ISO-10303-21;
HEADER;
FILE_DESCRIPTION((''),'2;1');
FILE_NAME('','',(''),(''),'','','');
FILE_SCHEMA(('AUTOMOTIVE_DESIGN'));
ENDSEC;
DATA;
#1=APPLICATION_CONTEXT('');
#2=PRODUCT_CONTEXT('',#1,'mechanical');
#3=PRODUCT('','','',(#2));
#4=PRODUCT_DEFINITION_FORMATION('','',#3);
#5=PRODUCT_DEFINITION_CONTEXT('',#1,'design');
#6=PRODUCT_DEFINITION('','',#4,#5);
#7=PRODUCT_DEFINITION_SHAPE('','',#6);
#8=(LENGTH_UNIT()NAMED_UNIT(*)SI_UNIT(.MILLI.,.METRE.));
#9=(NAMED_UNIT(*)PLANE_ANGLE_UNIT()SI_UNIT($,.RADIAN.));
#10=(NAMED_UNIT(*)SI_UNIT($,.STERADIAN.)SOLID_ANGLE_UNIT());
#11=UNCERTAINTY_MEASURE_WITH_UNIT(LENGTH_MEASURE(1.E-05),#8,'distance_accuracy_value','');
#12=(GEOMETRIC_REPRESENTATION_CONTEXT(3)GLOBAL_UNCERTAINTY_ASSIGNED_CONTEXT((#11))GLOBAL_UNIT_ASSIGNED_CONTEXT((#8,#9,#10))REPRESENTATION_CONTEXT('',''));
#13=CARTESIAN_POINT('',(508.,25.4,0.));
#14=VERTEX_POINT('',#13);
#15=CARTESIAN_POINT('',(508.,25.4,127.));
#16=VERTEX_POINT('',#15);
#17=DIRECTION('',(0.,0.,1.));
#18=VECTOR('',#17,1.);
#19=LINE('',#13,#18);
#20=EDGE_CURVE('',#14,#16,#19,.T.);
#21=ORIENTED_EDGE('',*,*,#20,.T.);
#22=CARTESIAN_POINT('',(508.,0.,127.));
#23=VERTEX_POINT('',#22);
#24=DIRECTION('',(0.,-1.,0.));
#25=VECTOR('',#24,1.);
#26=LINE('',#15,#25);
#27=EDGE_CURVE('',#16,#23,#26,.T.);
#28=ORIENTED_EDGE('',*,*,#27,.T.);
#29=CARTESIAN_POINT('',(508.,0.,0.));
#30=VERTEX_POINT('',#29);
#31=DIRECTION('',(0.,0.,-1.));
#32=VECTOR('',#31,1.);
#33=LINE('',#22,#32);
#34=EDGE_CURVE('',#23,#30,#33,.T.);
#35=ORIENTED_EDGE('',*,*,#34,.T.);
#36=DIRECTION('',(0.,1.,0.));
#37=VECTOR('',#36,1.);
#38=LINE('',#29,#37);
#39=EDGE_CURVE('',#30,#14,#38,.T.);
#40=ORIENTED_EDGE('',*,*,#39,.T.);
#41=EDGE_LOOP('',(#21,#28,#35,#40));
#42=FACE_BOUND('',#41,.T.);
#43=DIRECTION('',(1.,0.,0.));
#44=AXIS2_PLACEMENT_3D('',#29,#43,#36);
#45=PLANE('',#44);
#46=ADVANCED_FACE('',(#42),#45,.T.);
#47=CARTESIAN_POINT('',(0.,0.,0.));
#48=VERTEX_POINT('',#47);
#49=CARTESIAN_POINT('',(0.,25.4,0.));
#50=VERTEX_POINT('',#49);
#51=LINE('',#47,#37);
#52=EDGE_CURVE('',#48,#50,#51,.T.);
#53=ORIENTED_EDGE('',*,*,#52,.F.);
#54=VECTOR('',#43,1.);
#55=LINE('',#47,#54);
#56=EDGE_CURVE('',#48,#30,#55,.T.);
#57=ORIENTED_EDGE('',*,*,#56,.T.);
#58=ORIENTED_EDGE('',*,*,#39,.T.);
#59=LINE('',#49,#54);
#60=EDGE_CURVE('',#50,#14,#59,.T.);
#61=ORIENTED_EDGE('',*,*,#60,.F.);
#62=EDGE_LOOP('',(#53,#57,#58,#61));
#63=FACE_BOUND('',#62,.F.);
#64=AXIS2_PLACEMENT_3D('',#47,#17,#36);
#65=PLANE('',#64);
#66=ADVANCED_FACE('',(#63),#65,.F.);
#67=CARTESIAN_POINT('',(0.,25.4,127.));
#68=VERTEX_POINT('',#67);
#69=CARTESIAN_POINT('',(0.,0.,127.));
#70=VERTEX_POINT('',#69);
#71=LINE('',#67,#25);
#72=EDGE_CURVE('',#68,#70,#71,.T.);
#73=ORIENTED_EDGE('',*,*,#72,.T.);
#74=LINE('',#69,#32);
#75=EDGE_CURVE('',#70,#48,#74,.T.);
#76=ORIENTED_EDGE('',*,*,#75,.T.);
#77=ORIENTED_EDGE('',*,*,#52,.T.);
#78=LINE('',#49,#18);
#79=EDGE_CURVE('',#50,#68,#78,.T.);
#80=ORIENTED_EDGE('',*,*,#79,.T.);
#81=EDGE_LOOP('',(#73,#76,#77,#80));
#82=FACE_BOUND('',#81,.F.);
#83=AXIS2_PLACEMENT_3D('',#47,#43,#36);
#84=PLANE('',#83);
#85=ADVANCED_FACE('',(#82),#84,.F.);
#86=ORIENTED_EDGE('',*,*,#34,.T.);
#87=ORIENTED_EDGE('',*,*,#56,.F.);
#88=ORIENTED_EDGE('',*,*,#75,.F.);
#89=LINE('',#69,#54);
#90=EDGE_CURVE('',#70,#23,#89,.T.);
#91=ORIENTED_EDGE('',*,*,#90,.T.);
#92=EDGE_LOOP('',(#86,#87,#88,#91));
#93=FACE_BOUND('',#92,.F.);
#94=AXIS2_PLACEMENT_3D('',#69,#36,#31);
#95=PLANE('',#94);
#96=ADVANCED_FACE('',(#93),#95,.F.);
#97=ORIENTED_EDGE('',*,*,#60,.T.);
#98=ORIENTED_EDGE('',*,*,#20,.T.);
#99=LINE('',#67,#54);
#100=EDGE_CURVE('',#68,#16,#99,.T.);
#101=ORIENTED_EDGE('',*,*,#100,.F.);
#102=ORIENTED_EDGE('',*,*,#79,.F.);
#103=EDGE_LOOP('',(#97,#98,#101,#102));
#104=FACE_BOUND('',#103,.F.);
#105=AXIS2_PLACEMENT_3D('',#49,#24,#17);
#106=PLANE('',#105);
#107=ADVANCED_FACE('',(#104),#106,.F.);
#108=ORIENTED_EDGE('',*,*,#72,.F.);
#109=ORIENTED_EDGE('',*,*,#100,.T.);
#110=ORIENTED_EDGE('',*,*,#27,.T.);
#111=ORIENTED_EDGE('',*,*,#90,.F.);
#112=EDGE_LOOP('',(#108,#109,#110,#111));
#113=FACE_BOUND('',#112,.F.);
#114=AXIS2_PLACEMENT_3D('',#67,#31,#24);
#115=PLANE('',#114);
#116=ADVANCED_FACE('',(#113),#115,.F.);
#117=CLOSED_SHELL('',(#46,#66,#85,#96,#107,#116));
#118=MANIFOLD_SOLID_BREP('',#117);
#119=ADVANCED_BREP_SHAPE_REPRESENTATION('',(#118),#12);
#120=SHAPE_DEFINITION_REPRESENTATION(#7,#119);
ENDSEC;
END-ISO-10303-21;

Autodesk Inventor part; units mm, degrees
ref_plane "YZ Plane" through (0, 0, 0) normal (1, 0, 0) x (0, 1, 0)
sketch "Sketch1" plane through (0, 0, 0) normal (1, 0, 0) x (0, 1, 0)
  line L0 (0, 0) -> (25.4, 0)
  line L1 (25.4, 0) -> (25.4, 127)
  line L2 (25.4, 127) -> (0, 127)
  line L3 (0, 127) -> (0, 0)
  dimension "d2" = 127
  dimension "d3" = 25.4
extrude "Extrusion1" add sketch "Sketch1" along normal blind 508
ref_plane "Work Plane1" through (0, 0, 63.5) normal (0, 0, 1) x (1, 0, 0)
ref_plane "Work Plane2" through (254, 0, 0) normal (-1, 0, 0) x (0, 0, 1)
properties part number "BedBoard"
